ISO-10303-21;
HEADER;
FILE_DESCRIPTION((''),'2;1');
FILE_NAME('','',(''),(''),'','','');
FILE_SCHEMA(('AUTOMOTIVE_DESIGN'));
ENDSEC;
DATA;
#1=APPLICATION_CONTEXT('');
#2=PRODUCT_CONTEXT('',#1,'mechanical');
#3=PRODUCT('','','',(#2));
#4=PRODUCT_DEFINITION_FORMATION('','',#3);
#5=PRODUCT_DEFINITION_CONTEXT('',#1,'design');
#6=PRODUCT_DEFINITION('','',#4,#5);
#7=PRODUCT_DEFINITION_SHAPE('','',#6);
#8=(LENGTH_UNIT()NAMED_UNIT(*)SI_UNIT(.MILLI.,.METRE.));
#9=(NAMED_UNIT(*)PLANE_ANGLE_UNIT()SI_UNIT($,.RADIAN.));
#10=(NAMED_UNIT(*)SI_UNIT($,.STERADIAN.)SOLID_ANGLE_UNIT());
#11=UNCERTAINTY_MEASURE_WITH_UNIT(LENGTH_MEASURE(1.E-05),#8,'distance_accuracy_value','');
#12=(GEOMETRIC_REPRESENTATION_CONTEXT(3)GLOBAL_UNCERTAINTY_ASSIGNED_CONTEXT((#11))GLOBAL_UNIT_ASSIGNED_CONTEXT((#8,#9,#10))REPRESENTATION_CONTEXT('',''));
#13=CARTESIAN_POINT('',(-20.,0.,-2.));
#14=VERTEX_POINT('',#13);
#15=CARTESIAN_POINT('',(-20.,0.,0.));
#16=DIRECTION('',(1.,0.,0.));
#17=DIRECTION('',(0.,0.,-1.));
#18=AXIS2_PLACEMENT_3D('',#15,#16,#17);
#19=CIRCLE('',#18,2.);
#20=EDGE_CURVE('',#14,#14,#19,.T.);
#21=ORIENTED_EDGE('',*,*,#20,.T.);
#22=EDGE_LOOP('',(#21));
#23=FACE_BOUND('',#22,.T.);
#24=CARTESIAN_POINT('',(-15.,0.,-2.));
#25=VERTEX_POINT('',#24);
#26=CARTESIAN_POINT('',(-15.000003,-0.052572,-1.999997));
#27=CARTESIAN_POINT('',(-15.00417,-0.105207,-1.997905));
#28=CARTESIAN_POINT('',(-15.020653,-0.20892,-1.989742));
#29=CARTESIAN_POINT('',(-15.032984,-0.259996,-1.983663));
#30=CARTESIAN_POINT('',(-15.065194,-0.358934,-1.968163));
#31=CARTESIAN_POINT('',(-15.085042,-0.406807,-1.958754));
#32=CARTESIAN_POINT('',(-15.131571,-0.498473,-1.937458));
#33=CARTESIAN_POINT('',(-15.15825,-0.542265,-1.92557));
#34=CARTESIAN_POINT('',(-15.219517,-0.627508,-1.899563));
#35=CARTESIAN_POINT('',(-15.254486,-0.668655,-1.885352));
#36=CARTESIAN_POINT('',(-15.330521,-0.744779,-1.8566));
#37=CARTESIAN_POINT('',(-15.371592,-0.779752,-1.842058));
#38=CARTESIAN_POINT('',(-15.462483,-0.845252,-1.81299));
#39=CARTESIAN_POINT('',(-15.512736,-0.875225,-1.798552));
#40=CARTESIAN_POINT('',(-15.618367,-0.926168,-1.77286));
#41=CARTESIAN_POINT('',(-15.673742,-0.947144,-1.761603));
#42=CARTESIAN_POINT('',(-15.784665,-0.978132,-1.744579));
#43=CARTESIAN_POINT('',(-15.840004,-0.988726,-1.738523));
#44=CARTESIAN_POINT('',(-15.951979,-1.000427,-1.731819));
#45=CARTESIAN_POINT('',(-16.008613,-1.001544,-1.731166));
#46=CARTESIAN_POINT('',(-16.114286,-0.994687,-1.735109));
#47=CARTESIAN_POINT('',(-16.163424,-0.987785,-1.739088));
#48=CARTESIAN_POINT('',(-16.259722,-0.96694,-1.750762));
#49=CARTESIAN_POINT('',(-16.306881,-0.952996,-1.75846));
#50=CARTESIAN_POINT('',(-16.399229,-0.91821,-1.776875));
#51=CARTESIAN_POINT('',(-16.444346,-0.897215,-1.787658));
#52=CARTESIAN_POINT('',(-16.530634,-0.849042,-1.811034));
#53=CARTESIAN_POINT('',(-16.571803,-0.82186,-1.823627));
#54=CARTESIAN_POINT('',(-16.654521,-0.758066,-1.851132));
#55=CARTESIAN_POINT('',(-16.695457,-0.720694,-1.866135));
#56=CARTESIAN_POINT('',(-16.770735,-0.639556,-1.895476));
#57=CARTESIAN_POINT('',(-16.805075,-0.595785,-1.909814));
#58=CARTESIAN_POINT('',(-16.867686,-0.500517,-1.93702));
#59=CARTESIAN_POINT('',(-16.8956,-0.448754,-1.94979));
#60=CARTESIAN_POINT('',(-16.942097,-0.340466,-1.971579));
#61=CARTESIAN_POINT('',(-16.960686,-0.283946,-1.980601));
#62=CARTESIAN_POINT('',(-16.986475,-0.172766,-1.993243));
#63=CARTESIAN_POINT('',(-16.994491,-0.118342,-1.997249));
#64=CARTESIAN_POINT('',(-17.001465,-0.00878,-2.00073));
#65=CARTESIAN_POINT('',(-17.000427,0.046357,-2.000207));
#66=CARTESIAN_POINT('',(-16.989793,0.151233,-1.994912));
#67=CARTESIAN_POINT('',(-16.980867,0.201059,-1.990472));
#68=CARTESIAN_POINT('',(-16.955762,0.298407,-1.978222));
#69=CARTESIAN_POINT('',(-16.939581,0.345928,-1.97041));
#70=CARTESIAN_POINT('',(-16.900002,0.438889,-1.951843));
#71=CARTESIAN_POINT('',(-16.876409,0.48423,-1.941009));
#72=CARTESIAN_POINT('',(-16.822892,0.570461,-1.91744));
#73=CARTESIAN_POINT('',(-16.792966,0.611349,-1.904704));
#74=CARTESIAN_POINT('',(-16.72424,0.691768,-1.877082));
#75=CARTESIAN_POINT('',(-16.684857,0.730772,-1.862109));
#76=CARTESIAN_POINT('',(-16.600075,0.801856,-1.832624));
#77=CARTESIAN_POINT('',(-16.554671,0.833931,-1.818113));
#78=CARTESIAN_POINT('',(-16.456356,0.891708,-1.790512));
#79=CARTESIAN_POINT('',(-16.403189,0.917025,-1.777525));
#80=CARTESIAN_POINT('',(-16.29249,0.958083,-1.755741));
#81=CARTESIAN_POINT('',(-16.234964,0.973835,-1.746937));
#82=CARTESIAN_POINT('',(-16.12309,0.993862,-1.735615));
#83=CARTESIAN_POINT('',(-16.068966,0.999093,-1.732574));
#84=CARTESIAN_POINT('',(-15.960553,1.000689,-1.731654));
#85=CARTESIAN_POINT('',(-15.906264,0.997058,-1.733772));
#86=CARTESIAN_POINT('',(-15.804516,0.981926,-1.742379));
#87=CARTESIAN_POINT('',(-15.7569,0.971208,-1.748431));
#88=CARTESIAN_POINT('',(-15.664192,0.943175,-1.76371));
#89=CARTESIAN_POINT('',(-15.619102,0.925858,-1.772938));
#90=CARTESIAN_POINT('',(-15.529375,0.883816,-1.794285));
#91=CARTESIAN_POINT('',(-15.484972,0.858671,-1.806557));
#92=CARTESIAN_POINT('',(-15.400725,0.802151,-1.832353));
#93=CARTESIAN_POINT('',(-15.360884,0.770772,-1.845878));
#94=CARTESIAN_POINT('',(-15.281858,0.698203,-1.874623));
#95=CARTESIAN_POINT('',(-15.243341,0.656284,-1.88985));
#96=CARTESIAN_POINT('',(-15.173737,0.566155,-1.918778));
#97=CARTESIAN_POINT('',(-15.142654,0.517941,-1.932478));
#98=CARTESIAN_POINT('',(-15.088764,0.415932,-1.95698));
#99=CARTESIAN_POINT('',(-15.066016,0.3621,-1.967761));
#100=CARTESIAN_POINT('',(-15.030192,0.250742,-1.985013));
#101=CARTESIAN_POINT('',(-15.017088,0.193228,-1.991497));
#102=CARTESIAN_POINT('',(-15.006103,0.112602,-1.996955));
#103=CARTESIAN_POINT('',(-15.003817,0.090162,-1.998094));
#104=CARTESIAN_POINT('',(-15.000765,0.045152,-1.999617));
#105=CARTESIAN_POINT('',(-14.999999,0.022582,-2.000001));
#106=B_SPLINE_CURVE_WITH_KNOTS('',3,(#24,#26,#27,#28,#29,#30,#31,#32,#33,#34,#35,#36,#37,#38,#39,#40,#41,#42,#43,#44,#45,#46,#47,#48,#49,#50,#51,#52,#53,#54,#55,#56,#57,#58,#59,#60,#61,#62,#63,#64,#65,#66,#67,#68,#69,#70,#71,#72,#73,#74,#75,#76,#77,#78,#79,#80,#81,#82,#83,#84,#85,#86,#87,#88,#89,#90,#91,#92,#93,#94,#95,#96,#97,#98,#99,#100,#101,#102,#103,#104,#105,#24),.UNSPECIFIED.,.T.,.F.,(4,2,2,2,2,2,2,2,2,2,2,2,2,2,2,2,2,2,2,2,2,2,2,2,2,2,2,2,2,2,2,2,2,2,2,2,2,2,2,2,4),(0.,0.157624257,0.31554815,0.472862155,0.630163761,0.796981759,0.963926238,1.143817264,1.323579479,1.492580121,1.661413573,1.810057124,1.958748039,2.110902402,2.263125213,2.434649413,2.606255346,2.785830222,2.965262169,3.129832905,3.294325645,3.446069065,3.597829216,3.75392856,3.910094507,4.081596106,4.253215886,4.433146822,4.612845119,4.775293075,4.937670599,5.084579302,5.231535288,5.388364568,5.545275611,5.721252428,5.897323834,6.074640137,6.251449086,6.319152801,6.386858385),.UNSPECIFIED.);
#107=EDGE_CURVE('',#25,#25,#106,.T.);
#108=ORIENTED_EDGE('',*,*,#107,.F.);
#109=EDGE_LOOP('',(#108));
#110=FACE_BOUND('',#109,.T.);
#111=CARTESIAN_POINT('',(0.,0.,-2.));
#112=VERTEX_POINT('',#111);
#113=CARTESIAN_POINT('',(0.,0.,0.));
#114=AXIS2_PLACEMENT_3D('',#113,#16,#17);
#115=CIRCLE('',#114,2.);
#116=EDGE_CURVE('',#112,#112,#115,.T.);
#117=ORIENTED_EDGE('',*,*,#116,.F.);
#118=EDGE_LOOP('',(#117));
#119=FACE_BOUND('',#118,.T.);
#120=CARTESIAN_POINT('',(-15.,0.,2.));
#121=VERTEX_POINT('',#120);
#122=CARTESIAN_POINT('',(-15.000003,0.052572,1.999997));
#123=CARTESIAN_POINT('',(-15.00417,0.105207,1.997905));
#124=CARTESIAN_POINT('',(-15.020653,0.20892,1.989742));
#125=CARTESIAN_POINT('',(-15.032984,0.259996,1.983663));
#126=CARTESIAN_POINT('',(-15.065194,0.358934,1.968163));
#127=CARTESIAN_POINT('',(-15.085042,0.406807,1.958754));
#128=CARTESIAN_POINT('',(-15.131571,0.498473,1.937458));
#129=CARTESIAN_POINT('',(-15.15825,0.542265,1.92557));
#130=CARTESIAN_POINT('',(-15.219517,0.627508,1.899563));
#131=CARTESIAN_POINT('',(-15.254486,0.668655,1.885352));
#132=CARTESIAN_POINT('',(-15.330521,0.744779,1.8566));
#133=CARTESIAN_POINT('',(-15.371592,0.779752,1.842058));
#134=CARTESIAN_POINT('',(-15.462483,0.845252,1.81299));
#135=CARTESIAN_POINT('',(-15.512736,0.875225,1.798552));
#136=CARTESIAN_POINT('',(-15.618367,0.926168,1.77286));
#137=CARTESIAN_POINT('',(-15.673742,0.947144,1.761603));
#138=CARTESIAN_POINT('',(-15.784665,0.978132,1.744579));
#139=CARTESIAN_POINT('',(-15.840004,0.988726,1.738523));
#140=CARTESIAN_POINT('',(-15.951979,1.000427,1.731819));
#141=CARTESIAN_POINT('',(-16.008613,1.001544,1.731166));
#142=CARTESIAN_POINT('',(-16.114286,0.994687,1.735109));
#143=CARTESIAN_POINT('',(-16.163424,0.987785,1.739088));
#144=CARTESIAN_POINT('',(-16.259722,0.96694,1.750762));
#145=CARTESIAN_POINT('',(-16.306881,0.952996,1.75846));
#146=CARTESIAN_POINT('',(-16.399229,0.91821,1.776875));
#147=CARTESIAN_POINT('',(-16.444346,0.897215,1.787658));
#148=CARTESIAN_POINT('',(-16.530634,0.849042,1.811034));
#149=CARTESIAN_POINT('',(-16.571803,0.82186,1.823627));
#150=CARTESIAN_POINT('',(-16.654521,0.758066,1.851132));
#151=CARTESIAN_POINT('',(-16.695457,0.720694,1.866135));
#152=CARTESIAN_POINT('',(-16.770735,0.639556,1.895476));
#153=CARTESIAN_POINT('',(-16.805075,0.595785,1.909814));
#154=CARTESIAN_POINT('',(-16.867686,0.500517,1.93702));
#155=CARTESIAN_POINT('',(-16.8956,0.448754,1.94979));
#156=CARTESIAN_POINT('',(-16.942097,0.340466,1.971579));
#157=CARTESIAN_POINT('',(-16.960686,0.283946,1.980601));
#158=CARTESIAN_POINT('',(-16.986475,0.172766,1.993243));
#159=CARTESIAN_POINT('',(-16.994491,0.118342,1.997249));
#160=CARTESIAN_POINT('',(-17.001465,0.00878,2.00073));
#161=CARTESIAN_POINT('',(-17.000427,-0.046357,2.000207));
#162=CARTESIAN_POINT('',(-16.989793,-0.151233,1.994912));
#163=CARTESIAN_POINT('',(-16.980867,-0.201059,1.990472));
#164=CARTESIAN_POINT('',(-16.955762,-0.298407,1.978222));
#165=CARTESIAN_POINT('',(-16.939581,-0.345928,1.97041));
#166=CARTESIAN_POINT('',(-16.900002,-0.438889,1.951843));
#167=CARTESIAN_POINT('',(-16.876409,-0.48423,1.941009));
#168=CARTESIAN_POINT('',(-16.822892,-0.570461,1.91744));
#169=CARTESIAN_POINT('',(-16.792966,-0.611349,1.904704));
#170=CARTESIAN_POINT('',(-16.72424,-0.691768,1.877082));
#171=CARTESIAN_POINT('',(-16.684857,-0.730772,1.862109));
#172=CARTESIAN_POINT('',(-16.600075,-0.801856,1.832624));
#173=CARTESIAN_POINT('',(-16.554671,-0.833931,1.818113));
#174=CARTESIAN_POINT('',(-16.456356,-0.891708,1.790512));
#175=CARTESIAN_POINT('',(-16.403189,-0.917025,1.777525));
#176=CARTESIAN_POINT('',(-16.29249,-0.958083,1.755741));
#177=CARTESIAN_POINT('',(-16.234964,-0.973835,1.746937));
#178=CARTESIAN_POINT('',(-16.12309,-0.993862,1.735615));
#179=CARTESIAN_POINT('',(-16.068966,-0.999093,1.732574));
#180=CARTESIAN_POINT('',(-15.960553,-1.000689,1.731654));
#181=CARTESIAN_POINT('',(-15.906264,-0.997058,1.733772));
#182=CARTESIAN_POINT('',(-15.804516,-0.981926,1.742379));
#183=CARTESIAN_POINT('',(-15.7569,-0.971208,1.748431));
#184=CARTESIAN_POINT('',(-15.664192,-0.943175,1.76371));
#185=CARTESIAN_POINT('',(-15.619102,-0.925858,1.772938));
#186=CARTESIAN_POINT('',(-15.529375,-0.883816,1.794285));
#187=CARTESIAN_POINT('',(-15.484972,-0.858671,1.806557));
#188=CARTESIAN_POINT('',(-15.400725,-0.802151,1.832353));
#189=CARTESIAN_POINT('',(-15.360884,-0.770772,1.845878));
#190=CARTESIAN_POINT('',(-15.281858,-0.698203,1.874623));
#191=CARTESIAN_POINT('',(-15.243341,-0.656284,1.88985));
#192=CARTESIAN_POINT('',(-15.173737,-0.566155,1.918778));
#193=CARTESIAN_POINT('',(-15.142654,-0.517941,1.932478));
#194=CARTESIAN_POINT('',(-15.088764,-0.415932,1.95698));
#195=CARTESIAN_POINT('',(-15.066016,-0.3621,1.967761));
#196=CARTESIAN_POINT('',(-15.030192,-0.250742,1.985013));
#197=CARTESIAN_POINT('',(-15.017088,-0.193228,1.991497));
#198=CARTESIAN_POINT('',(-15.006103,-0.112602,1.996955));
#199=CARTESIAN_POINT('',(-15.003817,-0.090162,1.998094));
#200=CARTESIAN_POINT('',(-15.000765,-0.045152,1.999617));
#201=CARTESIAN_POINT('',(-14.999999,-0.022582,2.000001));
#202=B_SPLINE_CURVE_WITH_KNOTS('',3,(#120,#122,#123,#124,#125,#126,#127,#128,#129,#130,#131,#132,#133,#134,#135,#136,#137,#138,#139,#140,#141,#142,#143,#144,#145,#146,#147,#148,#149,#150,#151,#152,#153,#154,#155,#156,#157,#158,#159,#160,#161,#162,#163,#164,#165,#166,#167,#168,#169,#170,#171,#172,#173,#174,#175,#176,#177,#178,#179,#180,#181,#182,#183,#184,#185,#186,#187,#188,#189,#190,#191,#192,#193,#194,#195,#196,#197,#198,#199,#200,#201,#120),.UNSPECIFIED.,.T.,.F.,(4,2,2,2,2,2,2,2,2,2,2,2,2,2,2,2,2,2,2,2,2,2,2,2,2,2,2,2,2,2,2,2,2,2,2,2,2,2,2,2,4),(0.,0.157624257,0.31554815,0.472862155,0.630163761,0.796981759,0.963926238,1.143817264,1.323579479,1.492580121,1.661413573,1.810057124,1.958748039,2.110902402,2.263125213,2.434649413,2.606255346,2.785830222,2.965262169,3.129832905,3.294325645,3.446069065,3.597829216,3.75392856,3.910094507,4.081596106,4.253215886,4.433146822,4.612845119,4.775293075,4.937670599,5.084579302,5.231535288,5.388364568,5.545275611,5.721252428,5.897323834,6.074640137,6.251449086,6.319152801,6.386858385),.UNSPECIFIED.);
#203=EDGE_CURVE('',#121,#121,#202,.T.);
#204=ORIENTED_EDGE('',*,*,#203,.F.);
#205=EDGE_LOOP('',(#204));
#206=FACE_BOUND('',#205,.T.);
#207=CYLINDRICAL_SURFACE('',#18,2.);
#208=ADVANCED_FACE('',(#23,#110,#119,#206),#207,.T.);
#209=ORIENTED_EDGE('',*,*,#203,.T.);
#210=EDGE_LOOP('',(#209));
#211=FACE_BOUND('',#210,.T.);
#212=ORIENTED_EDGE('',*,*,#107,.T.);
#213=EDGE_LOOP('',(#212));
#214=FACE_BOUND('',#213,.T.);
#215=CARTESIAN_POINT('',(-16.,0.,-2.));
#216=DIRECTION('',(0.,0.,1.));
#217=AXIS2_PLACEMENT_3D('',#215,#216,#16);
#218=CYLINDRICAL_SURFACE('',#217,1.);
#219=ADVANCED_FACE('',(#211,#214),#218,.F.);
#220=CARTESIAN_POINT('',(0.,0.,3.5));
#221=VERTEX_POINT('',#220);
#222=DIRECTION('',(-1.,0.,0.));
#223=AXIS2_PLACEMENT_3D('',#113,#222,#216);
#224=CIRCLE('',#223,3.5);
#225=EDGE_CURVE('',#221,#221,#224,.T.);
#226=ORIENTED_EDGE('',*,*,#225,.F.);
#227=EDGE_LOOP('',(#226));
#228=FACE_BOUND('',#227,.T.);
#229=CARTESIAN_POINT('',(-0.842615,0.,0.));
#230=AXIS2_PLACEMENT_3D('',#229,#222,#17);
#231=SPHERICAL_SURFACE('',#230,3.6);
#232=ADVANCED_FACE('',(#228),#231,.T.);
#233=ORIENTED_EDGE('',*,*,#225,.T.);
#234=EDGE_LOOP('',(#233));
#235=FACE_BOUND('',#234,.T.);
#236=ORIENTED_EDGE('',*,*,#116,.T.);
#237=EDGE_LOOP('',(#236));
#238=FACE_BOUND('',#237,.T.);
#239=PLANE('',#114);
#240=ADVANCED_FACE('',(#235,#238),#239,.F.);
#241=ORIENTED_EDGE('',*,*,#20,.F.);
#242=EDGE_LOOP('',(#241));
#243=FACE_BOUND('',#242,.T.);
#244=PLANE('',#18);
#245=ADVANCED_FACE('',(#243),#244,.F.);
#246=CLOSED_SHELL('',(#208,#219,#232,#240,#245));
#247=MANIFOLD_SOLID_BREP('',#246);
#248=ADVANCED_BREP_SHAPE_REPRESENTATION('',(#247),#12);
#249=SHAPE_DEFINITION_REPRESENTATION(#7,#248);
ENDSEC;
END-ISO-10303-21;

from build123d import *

# Parameters (mm, degrees)
SKETCH1_R               = 2
BOSS_EXTRUDE1_DEPTH     = 20
CUT_EXTRUDE1_DEPTH      = 21.199009877
CUT_EXTRUDE1_DEPTH_BACK = 21.199009877
SKETCH2_R               = 1


with BuildPart() as part:
    # Sketch1 → Boss-Extrude1 (new body)
    with BuildSketch(Plane(origin=(0, 0, 0), x_dir=(0, 0, -1), z_dir=(1, 0, 0))):
        Circle(SKETCH1_R)
    extrude(amount=-BOSS_EXTRUDE1_DEPTH)

    # Sketch2 → Cut-Extrude1 (cut, two sides: drawn at the far end of the back side and taken through both)
    with BuildSketch(Plane.XY.offset(-CUT_EXTRUDE1_DEPTH_BACK)):
        with Locations((-16, 0)):
            Circle(SKETCH2_R)
    extrude(amount=CUT_EXTRUDE1_DEPTH + CUT_EXTRUDE1_DEPTH_BACK, mode=Mode.SUBTRACT)

    # Sketch3 → Revolve1 (revolve)
    with BuildSketch(Plane(origin=(0, 0, 0), x_dir=(1, 0, 0), z_dir=(0, 1, 0))):
        with BuildLine():
            Line((2.757385023, 0), (0, 0))
            Line((0, 0), (0, 3.5))
            ThreePointArc((0, 3.5), (1.985229955, 2.227844932), (2.757385023, 0))
        make_face()
    revolve(axis=Axis((-7.558889504, 0, 0), (1, 0, 0)))


solid = part.part
